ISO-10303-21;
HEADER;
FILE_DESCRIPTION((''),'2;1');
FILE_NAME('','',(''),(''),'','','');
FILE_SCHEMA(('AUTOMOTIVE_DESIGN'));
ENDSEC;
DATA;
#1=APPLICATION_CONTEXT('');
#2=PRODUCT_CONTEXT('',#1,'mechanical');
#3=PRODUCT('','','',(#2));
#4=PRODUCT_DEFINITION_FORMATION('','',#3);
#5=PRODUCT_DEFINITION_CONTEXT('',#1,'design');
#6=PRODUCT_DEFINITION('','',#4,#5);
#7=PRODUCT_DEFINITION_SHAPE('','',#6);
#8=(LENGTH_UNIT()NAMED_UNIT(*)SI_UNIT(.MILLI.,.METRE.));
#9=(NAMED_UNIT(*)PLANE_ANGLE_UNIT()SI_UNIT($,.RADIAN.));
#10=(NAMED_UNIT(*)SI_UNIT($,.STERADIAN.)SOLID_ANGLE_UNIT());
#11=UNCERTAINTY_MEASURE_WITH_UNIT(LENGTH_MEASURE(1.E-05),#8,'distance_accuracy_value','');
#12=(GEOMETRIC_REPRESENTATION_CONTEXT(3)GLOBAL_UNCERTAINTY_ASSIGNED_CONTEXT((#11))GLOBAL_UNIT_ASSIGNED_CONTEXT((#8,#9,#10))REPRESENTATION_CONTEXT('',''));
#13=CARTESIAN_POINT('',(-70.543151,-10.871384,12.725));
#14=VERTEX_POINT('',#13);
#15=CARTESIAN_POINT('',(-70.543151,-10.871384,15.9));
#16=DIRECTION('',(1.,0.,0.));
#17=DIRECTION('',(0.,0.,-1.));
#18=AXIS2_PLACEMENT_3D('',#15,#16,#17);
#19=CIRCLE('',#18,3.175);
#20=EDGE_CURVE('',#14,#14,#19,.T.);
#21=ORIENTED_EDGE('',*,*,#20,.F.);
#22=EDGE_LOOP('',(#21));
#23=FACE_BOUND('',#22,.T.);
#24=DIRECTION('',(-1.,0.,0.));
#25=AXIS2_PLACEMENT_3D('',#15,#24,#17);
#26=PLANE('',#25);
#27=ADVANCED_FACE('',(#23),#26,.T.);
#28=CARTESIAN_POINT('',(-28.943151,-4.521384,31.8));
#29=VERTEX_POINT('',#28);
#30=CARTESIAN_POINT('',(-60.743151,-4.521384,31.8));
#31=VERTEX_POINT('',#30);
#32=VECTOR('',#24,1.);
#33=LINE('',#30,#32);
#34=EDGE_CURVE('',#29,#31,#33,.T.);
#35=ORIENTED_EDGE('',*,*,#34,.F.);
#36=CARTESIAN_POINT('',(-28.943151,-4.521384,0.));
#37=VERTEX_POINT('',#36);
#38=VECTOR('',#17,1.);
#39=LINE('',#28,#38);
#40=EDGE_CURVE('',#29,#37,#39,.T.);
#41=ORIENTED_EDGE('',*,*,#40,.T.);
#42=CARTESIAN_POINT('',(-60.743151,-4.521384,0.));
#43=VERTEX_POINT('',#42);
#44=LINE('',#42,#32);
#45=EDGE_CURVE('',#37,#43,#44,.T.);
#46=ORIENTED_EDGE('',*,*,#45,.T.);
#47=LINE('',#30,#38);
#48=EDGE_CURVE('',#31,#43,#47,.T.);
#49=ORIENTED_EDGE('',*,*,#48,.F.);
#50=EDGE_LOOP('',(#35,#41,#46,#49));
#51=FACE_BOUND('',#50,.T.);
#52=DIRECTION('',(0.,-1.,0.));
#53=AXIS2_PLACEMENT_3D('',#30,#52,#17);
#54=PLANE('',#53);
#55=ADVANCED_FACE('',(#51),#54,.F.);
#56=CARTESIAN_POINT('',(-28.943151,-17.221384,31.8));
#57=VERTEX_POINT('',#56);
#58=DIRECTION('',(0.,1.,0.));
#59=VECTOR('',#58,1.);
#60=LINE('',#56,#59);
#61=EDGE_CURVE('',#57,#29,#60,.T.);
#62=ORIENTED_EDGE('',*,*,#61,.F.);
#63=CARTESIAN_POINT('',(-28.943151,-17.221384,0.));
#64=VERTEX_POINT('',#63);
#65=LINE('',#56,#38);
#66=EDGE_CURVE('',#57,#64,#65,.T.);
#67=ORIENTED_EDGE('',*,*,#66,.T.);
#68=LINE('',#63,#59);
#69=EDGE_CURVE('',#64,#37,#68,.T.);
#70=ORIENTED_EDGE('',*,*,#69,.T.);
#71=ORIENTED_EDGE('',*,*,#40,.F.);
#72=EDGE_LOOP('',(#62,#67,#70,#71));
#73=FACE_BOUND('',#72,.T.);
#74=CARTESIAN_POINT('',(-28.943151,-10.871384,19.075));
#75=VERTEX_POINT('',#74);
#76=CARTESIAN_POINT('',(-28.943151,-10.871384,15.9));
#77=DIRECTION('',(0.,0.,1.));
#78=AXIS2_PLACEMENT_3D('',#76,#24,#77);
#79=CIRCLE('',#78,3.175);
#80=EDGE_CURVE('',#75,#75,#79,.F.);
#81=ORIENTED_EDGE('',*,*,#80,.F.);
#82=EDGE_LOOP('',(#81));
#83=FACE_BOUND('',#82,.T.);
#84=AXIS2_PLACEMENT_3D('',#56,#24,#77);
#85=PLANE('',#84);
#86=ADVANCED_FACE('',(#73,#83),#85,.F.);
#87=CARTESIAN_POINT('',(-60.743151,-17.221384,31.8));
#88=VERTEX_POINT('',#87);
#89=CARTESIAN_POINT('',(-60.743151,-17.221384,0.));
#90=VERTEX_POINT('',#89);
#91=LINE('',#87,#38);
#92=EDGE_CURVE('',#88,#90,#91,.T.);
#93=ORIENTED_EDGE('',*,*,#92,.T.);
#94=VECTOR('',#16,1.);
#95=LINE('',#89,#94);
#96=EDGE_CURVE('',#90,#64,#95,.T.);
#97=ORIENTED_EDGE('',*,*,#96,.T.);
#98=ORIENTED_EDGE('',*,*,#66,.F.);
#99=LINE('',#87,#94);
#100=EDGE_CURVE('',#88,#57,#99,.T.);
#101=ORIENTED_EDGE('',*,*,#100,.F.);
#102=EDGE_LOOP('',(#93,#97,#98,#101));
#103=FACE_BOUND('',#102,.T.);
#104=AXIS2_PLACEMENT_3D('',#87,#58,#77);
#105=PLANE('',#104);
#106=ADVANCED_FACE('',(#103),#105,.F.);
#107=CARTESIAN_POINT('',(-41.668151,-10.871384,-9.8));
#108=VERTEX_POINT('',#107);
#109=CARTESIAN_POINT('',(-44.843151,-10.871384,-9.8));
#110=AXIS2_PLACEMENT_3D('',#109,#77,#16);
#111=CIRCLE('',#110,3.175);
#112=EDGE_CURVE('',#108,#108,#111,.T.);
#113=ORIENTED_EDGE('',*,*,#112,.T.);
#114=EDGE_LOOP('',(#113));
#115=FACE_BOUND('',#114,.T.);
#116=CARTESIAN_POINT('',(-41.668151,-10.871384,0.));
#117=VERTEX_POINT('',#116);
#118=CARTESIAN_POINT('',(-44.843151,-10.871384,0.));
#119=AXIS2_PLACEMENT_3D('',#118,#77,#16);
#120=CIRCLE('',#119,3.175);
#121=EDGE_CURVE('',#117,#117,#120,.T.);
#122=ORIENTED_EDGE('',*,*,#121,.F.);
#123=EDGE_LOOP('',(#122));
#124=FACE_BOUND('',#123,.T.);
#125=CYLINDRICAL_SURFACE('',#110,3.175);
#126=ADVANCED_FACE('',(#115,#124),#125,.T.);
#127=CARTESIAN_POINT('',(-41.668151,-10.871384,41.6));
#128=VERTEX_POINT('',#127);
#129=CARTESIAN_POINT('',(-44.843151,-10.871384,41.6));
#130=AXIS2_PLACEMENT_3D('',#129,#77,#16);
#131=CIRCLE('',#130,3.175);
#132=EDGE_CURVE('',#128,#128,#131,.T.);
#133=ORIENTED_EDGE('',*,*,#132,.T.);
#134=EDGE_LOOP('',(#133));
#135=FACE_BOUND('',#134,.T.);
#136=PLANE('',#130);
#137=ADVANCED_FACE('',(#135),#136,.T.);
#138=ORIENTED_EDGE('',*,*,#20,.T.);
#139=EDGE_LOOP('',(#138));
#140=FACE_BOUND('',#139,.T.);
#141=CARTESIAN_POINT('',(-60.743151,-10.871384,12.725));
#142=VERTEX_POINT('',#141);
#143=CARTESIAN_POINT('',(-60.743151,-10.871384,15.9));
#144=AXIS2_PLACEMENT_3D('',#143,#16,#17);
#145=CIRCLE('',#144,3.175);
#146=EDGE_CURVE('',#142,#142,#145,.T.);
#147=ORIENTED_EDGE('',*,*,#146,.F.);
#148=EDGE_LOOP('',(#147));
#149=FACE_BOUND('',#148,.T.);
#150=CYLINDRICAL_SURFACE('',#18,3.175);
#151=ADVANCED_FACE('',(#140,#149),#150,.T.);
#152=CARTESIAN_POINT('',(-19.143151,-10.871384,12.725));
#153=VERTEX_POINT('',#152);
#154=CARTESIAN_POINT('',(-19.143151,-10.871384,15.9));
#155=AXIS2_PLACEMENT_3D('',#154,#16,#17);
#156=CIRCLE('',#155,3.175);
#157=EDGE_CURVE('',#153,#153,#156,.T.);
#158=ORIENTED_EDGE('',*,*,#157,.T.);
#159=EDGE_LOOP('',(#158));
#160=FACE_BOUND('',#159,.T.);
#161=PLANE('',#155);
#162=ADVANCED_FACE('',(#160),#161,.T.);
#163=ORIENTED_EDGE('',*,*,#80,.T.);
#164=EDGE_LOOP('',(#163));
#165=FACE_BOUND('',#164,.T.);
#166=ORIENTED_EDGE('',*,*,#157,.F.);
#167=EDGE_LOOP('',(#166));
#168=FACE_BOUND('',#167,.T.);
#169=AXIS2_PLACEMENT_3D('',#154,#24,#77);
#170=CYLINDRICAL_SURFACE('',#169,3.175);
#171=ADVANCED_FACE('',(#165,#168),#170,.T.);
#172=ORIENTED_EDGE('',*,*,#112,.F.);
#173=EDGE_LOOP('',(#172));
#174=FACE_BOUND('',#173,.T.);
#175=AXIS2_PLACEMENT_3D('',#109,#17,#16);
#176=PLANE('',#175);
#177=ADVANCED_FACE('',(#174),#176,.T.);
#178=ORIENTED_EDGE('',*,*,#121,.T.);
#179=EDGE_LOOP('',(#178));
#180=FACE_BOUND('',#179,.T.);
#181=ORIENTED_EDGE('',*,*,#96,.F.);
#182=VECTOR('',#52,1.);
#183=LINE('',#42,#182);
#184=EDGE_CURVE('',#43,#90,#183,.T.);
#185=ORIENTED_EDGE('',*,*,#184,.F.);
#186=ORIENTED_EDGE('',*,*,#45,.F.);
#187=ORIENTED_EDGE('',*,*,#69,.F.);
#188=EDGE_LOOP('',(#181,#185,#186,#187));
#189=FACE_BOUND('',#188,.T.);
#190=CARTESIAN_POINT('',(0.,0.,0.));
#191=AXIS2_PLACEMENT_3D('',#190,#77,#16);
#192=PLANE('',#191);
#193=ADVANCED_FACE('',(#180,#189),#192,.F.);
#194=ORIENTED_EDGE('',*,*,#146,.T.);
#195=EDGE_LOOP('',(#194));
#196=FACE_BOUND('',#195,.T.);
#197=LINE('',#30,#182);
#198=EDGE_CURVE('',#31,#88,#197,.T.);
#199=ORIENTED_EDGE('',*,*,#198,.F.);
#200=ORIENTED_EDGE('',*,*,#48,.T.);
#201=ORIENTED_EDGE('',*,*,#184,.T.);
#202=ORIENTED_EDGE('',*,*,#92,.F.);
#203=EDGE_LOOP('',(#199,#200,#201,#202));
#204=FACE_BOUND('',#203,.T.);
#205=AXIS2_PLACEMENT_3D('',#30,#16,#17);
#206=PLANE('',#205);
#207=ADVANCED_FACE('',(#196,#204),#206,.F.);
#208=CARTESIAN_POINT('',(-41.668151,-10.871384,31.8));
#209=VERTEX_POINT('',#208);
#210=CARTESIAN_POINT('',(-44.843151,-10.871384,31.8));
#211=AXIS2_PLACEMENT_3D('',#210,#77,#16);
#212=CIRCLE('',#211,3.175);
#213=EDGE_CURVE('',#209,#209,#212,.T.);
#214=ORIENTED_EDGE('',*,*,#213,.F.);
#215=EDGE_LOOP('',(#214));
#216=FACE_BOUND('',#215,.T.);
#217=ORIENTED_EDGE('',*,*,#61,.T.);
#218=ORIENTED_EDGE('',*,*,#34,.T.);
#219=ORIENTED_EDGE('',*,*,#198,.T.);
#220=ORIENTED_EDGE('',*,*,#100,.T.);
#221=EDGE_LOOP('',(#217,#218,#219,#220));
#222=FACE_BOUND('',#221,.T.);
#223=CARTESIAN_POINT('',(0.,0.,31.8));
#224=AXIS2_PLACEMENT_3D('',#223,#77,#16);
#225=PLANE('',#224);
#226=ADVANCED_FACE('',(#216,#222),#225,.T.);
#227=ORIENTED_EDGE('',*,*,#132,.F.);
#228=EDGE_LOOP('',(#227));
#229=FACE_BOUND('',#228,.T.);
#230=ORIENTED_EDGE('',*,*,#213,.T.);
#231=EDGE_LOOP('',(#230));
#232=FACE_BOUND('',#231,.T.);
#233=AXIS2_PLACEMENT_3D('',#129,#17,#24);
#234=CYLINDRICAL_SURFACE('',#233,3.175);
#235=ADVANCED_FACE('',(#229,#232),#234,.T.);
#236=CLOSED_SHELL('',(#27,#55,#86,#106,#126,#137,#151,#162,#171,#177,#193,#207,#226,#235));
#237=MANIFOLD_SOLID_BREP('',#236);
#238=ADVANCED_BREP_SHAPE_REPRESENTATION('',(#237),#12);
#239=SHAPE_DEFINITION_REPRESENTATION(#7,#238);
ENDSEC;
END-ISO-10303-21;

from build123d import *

# Parameters (mm, degrees)
SKETCH5_W           = 31.8
SKETCH5_H           = 12.7
BOSS_EXTRUDE4_DEPTH = 31.8
SKETCH6_R           = 3.175
BOSS_EXTRUDE5_DEPTH = 9.8
SKETCH10_R          = 3.175
BOSS_EXTRUDE6_DEPTH = 9.8


with BuildPart() as part:
    # Sketch5 → Boss-Extrude4 (new body)
    with BuildSketch(Plane.XY):
        with Locations((-44.843150914, -10.871383787)):
            Rectangle(SKETCH5_W, SKETCH5_H)
    extrude(amount=BOSS_EXTRUDE4_DEPTH)

    # Sketch6 → Boss-Extrude5 (add)
    with BuildSketch(Plane.XY.offset(31.8)):
        with Locations((-44.843150914, -10.871383787)):
            Circle(SKETCH6_R)
    boss_extrude5 = extrude(amount=BOSS_EXTRUDE5_DEPTH)

    # Mirror1: Boss-Extrude5 across plane
    add(boss_extrude5.mirror(Plane.XY.offset(15.9)))

    # Sketch10 → Boss-Extrude6 (add)
    with BuildSketch(Plane(origin=(-28.943150914, 0, 0), x_dir=(0, 0, -1), z_dir=(1, 0, 0))):
        with Locations((-15.9, -10.871383787)):
            Circle(SKETCH10_R)
    boss_extrude6 = extrude(amount=BOSS_EXTRUDE6_DEPTH)

    # Mirror2: Boss-Extrude6 across plane
    add(boss_extrude6.mirror(Plane(origin=(-44.843150914, 0, 0), x_dir=(0, 0, 1), z_dir=(1, 0, 0))))


solid = part.part
